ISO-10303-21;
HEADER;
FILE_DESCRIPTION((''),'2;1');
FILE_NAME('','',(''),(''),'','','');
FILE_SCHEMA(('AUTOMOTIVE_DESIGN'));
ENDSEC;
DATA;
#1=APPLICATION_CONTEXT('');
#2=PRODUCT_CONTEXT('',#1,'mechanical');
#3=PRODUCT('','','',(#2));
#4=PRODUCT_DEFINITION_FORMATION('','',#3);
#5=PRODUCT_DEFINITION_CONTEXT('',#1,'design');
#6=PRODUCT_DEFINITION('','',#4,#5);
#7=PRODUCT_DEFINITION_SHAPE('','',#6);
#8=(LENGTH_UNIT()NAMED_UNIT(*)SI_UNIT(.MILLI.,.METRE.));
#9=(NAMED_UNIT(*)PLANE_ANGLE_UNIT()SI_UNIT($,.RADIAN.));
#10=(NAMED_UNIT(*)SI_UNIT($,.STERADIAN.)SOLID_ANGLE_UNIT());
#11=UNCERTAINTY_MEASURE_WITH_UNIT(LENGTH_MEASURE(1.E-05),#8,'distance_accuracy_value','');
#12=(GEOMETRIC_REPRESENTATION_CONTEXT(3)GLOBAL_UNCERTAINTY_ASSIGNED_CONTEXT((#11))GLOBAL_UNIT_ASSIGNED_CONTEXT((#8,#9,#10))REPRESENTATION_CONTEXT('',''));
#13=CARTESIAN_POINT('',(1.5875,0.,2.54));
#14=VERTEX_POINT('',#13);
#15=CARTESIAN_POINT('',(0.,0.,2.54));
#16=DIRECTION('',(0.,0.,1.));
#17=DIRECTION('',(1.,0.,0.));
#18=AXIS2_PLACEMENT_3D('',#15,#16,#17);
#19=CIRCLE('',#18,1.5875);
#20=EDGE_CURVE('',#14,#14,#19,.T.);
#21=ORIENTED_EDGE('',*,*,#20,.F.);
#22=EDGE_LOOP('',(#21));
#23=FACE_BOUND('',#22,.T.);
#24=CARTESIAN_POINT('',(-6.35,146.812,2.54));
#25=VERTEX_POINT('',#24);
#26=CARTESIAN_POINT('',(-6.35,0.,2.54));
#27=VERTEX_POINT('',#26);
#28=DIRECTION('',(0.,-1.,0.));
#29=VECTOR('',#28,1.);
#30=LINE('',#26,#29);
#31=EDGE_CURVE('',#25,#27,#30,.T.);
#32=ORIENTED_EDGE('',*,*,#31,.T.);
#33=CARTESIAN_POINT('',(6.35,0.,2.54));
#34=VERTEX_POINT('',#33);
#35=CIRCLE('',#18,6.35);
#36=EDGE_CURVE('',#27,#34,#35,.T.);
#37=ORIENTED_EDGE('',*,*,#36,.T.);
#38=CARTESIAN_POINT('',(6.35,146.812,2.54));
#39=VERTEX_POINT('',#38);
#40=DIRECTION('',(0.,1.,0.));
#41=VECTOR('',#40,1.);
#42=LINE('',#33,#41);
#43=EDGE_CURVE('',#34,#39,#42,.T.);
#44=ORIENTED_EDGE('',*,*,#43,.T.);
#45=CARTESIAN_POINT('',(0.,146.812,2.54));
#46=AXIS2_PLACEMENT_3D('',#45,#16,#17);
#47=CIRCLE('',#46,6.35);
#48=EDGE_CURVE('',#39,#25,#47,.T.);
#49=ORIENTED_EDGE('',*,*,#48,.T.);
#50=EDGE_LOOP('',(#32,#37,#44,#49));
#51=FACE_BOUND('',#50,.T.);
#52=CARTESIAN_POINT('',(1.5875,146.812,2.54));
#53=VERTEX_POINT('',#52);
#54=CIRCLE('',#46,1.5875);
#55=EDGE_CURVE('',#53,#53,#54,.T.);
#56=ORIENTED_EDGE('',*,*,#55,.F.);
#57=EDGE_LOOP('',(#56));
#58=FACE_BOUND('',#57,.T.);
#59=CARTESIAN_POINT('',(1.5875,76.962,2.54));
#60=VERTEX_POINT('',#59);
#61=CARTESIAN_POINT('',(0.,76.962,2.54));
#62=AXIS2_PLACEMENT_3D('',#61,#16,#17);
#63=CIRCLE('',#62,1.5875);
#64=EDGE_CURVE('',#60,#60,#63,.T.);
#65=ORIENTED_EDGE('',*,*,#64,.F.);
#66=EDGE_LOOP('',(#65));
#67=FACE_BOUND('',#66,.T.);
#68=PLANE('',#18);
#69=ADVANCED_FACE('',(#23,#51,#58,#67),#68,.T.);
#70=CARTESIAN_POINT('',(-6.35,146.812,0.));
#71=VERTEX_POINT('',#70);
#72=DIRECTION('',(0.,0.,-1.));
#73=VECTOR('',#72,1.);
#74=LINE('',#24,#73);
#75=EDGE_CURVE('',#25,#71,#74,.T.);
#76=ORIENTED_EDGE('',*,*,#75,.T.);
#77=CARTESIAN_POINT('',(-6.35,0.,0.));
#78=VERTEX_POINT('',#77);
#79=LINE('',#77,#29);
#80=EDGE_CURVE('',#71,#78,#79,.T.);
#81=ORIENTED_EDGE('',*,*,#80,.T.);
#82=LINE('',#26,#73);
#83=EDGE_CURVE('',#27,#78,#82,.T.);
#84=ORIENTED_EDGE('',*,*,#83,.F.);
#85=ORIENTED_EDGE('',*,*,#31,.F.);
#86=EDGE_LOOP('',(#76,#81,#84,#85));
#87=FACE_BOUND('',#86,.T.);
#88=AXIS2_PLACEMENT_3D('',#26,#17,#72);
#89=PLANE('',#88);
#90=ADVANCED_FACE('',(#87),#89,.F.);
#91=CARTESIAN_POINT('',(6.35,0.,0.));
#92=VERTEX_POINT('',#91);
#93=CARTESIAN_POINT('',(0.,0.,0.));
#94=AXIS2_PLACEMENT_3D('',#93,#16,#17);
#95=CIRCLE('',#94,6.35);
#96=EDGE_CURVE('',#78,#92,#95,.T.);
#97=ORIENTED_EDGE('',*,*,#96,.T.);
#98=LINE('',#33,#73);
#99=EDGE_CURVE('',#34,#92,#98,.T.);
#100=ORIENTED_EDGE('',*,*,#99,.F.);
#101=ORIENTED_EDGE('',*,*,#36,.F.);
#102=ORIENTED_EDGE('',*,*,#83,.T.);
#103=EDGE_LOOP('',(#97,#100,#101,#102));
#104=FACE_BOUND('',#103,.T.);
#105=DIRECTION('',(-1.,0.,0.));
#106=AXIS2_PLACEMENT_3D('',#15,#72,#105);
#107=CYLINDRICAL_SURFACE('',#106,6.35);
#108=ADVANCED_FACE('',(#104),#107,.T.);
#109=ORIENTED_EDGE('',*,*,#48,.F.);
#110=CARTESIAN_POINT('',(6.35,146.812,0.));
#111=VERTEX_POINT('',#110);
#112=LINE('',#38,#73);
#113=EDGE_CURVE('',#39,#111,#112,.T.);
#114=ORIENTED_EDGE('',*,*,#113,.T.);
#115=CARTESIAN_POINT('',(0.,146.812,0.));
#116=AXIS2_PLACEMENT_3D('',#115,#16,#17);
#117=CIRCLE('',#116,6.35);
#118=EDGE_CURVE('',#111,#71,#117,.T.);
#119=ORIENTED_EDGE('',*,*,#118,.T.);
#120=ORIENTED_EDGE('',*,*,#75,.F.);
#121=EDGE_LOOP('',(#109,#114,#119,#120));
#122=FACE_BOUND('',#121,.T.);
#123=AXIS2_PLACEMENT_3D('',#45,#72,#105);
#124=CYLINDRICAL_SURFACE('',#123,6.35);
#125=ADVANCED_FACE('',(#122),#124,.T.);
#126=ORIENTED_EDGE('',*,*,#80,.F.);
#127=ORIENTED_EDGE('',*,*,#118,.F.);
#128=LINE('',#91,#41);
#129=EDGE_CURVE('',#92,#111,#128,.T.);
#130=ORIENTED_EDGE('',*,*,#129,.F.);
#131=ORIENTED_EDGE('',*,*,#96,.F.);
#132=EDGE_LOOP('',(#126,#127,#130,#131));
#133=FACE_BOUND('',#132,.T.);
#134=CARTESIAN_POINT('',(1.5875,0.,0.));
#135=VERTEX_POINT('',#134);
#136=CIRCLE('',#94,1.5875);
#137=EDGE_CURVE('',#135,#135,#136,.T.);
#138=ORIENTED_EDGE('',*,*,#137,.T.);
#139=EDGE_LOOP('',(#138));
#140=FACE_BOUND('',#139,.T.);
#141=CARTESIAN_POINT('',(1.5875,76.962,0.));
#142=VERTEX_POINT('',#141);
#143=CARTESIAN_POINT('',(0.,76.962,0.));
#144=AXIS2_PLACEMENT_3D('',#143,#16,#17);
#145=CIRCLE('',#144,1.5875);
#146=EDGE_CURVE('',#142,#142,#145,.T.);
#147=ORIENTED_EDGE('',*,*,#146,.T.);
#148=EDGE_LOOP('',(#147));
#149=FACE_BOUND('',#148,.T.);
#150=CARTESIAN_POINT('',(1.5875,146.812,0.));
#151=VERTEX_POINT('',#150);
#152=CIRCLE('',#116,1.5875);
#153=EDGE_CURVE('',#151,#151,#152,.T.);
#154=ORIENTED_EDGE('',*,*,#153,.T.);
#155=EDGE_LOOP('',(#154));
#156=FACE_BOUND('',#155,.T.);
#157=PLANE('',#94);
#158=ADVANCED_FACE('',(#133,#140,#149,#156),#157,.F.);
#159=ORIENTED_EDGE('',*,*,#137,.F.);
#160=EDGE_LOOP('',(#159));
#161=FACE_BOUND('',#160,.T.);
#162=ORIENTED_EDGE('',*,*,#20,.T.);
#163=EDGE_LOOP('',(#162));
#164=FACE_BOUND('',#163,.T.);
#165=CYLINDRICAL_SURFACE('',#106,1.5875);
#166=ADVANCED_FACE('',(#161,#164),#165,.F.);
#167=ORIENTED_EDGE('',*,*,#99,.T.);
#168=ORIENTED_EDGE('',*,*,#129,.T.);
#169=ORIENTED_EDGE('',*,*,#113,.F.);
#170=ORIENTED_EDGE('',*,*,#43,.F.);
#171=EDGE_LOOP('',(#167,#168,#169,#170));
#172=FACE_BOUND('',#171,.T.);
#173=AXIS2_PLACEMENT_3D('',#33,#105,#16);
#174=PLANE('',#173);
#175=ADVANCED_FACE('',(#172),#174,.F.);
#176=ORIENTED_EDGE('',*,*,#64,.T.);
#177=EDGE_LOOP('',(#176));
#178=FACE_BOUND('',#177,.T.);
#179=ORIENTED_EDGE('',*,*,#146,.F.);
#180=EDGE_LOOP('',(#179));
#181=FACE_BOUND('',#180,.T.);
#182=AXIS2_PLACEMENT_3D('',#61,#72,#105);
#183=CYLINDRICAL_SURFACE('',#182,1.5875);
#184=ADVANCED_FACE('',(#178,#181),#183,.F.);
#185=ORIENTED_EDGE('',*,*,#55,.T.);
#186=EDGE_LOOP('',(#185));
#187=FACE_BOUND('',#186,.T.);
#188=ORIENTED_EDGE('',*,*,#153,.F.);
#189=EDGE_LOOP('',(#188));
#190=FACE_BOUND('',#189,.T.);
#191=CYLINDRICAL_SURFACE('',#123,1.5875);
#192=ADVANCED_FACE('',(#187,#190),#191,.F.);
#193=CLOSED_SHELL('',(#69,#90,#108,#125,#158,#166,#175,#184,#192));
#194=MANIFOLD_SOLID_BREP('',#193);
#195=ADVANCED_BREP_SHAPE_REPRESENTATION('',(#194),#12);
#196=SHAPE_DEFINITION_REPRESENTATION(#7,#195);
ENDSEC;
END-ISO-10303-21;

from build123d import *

# Parameters (mm, degrees)
SKETCH1_R           = 1.5875
BOSS_EXTRUDE1_DEPTH = 2.54


with BuildPart() as part:
    # Sketch1 → Boss-Extrude1 (new body)
    with BuildSketch(Plane.XY):
        with BuildLine():
            Line((-6.35, 0), (-6.35, 146.812))
            ThreePointArc((-6.35, 146.812), (0, 153.162), (6.35, 146.812))
            Line((6.35, 146.812), (6.35, 0))
            ThreePointArc((6.35, 0), (0, -6.35), (-6.35, 0))
        make_face()
        Circle(SKETCH1_R, mode=Mode.SUBTRACT)
        with Locations((0, 76.962)):
            Circle(SKETCH1_R, mode=Mode.SUBTRACT)
        with Locations((0, 146.812)):
            Circle(SKETCH1_R, mode=Mode.SUBTRACT)
    extrude(amount=BOSS_EXTRUDE1_DEPTH)


solid = part.part
